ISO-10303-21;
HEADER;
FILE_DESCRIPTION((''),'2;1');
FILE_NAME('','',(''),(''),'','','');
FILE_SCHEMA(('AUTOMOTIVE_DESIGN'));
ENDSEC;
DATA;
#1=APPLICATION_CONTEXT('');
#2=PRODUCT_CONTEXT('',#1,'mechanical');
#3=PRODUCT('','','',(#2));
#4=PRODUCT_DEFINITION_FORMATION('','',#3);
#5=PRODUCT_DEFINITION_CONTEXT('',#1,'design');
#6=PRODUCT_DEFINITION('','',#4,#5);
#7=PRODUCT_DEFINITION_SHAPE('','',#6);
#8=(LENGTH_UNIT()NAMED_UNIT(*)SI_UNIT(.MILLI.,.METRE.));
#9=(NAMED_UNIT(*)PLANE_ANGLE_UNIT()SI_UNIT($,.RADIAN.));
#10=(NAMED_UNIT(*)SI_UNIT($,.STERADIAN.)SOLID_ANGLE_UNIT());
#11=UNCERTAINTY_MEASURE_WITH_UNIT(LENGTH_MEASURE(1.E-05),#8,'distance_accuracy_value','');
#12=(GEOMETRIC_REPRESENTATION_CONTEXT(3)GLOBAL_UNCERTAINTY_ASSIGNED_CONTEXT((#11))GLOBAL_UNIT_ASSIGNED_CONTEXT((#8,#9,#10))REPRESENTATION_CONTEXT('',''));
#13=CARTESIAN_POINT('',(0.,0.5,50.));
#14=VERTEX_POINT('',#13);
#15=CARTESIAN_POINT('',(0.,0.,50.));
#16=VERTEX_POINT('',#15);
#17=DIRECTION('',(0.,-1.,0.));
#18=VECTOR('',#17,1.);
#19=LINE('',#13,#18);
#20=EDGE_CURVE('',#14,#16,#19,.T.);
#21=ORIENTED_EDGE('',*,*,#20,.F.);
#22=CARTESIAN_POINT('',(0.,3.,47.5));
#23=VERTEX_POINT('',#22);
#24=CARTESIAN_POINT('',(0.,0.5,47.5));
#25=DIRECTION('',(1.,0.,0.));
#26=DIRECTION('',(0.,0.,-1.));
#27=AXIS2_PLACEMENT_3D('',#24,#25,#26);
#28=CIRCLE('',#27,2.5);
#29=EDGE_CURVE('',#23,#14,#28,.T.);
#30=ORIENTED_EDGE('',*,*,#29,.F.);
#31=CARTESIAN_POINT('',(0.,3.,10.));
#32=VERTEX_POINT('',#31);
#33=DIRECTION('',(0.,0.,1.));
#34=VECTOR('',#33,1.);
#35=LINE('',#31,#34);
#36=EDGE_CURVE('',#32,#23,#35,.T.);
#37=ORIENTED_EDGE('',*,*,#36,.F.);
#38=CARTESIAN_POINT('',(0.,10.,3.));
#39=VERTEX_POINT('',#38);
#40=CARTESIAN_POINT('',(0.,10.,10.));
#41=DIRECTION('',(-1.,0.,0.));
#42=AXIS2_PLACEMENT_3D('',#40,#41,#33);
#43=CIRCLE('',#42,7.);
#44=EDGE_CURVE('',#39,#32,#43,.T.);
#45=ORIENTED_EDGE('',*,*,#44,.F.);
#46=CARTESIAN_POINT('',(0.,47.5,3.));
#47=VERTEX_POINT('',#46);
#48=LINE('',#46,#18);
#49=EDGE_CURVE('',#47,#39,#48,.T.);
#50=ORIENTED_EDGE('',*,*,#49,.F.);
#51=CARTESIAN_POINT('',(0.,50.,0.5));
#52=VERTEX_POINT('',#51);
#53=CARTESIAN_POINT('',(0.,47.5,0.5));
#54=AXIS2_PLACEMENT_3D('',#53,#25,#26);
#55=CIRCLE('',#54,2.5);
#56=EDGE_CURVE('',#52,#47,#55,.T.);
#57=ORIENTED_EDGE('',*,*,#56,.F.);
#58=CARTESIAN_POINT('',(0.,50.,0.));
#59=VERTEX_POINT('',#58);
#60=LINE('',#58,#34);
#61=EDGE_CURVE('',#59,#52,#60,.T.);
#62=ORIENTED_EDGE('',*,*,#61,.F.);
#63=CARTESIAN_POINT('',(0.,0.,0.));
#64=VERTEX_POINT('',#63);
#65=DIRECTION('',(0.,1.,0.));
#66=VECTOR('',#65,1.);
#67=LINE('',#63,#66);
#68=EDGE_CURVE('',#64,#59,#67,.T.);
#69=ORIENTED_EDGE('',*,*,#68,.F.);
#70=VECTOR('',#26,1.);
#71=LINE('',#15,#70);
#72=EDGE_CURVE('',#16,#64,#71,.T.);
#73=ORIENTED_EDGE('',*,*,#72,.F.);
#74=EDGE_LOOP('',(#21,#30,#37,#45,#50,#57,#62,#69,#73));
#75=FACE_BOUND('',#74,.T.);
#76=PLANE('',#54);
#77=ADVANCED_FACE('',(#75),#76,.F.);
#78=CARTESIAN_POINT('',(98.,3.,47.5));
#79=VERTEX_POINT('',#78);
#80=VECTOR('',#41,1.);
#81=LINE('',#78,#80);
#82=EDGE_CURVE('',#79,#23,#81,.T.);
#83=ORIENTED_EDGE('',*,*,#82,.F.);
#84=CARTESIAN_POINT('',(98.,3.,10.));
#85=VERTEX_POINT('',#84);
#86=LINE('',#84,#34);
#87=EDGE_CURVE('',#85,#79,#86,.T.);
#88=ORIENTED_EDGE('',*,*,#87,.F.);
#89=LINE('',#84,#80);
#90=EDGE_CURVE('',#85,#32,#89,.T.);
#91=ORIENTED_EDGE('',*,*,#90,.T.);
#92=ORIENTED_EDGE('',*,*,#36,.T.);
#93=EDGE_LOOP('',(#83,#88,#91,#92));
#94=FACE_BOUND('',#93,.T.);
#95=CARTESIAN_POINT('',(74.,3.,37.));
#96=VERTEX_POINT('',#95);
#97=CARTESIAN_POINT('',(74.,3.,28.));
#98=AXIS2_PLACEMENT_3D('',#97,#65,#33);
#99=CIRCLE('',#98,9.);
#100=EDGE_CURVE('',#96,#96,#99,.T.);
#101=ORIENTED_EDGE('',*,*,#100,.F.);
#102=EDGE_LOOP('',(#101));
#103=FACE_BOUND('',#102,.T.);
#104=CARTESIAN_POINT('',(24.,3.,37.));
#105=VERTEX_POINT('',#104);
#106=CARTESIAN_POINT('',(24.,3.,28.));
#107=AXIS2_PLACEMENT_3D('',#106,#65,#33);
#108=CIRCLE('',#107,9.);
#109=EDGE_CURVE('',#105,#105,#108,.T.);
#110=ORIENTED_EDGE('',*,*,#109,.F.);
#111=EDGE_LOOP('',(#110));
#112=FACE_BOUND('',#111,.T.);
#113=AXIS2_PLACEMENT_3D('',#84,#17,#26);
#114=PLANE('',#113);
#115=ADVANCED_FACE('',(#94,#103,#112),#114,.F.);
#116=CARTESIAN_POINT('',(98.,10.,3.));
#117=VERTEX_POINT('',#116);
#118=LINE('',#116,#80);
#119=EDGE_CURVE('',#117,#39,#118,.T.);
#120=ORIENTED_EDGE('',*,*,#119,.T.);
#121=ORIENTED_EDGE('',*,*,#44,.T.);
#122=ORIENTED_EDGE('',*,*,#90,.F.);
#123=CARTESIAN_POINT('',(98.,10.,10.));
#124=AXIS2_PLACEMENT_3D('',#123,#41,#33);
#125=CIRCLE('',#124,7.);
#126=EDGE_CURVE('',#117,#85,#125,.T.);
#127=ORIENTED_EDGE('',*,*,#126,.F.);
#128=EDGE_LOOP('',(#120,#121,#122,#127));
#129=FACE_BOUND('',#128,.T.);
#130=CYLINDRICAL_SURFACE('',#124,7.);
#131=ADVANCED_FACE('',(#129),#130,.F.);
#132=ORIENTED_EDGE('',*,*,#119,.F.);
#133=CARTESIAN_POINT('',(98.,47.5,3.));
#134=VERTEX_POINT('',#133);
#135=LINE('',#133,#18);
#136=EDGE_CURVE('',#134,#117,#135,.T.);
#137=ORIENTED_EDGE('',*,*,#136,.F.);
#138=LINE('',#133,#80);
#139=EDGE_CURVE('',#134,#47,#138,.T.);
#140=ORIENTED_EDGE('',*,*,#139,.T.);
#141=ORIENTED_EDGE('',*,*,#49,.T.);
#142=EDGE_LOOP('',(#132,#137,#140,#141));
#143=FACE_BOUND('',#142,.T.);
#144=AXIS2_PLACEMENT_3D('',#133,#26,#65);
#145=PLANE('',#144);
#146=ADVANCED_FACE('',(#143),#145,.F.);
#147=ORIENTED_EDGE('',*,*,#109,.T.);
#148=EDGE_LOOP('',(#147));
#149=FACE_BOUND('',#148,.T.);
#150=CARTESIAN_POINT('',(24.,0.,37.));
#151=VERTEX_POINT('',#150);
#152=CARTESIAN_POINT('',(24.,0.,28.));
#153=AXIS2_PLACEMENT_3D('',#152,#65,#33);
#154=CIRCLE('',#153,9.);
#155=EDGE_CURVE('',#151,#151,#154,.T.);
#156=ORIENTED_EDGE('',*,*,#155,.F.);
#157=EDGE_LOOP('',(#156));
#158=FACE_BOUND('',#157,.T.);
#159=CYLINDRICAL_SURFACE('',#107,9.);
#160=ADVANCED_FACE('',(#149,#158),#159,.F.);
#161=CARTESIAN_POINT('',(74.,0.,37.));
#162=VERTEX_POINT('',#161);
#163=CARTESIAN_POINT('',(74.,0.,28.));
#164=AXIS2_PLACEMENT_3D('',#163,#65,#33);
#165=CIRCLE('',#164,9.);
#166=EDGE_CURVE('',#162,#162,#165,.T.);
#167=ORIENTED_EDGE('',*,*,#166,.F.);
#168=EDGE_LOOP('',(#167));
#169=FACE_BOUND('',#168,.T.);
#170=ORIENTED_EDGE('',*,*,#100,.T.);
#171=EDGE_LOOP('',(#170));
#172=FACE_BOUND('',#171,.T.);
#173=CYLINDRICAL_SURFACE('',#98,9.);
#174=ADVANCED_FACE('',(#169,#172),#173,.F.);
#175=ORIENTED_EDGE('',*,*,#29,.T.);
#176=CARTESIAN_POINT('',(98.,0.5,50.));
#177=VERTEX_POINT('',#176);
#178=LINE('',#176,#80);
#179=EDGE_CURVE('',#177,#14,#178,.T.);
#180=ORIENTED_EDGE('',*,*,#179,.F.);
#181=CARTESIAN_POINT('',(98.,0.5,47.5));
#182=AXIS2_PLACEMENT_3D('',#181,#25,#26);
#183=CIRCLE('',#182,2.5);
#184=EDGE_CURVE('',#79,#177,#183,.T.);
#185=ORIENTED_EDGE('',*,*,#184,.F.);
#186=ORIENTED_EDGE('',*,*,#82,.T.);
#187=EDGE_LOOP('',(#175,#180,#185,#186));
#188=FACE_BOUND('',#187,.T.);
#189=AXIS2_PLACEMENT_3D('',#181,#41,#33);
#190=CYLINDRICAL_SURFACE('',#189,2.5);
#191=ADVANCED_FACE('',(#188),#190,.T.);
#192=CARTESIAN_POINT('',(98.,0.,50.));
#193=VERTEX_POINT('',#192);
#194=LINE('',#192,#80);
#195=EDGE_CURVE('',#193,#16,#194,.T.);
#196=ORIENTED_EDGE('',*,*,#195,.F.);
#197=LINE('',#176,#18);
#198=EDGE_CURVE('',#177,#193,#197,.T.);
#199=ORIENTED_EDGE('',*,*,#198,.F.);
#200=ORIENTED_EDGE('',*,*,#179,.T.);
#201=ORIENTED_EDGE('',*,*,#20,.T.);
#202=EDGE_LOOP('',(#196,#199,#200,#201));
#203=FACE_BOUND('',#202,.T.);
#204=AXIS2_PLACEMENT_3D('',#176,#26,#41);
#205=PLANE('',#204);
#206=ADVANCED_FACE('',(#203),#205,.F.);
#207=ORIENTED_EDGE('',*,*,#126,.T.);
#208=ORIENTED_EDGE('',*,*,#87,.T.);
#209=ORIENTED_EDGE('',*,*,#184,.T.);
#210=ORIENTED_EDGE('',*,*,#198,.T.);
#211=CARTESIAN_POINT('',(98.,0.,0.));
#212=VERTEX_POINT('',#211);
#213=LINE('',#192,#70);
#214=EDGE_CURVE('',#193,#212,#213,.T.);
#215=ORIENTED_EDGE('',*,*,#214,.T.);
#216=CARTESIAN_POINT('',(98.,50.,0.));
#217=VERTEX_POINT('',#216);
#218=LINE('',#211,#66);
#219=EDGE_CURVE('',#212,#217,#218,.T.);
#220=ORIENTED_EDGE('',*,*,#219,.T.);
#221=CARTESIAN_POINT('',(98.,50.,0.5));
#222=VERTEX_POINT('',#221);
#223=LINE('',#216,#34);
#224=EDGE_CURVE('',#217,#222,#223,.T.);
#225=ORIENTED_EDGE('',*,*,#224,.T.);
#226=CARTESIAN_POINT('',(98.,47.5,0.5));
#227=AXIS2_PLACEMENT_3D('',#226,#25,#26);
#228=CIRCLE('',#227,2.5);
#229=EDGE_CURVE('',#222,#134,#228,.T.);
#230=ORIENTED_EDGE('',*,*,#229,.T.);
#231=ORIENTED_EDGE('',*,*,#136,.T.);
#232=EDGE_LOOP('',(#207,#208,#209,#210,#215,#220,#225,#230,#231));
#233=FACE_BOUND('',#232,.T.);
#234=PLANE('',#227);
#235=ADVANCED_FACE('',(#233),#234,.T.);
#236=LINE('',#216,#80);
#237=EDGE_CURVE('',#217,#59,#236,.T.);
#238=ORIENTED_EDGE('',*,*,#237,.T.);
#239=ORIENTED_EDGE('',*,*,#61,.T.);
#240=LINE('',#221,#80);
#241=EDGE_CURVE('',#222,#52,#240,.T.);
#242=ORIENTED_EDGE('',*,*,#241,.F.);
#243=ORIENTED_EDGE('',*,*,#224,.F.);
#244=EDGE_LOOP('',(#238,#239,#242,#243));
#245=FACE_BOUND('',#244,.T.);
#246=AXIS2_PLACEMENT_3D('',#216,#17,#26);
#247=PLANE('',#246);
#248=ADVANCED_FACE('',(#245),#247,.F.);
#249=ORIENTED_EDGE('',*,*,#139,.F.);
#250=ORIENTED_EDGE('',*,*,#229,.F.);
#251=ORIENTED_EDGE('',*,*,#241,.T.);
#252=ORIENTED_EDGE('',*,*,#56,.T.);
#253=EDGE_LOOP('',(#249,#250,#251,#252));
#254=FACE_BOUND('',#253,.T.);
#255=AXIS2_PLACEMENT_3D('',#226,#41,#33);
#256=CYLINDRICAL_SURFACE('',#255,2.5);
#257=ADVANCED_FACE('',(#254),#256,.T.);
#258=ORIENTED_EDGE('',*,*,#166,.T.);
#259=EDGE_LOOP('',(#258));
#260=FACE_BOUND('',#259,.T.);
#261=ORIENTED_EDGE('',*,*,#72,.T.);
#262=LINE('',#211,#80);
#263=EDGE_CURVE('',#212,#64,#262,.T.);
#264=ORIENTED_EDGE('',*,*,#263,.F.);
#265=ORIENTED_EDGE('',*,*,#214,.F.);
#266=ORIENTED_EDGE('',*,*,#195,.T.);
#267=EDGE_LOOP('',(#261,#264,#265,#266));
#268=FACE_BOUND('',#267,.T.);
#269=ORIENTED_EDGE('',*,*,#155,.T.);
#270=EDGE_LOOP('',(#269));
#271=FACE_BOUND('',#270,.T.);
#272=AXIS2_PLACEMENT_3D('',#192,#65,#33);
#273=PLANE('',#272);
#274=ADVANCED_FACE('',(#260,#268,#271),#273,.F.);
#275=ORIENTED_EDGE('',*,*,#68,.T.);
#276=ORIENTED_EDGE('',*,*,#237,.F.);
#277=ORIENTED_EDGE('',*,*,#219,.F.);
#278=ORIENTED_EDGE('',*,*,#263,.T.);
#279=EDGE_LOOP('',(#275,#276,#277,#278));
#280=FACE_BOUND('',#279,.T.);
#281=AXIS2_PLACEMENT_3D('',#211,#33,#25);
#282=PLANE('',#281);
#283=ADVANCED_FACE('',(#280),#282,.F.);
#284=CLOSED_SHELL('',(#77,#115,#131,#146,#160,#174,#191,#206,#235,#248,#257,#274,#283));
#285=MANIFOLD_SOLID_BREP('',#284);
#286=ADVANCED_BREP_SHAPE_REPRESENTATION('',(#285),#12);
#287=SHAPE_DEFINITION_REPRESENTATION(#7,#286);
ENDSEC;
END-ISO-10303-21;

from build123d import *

# Parameters (mm, degrees)
ANGLES_EQUAL_50_X_50_X_3_1_DEPTH = 98
F_18_0_18_DIAMETER_HOLE1_D       = 18
LPATTERN1_COUNT                  = 2
LPATTERN1_PITCH                  = 50


with BuildPart() as part:
    # Sketch14 → Angles equal 50 X 50 X 3(1) (new body)
    with BuildSketch(Plane(origin=(0, 25, 25), x_dir=(0, 1, 0), z_dir=(1, 0, 0))):
        with BuildLine():
            Line((-25, 25), (-25, -25))
            Line((-25, -25), (25, -25))
            Line((25, -25), (25, -24.5))
            ThreePointArc((25, -24.5), (24.267766953, -22.732233047), (22.5, -22))
            Line((22.5, -22), (-15, -22))
            ThreePointArc((-15, -22), (-19.949747468, -19.949747468), (-22, -15))
            Line((-22, -15), (-22, 22.5))
            ThreePointArc((-22, 22.5), (-22.732233047, 24.267766953), (-24.5, 25))
            Line((-24.5, 25), (-25, 25))
        make_face()
    extrude(amount=ANGLES_EQUAL_50_X_50_X_3_1_DEPTH)

    # Ø18.0 (18) Diameter Hole1 (through all)
    with Locations(Plane(origin=(0, 3, 0), x_dir=(1, 0, 0), z_dir=(0, 1, 0))):
        with Locations((24, -28)):
            f_18_0_18_diameter_hole1 = Hole(F_18_0_18_DIAMETER_HOLE1_D / 2)

    # LPattern1: Ø18.0 (18) Diameter Hole1 ×2
    with Locations(*[(i * LPATTERN1_PITCH, 0, 0) for i in range(1, LPATTERN1_COUNT)]):
        add(f_18_0_18_diameter_hole1, mode=Mode.SUBTRACT)


solid = part.part
